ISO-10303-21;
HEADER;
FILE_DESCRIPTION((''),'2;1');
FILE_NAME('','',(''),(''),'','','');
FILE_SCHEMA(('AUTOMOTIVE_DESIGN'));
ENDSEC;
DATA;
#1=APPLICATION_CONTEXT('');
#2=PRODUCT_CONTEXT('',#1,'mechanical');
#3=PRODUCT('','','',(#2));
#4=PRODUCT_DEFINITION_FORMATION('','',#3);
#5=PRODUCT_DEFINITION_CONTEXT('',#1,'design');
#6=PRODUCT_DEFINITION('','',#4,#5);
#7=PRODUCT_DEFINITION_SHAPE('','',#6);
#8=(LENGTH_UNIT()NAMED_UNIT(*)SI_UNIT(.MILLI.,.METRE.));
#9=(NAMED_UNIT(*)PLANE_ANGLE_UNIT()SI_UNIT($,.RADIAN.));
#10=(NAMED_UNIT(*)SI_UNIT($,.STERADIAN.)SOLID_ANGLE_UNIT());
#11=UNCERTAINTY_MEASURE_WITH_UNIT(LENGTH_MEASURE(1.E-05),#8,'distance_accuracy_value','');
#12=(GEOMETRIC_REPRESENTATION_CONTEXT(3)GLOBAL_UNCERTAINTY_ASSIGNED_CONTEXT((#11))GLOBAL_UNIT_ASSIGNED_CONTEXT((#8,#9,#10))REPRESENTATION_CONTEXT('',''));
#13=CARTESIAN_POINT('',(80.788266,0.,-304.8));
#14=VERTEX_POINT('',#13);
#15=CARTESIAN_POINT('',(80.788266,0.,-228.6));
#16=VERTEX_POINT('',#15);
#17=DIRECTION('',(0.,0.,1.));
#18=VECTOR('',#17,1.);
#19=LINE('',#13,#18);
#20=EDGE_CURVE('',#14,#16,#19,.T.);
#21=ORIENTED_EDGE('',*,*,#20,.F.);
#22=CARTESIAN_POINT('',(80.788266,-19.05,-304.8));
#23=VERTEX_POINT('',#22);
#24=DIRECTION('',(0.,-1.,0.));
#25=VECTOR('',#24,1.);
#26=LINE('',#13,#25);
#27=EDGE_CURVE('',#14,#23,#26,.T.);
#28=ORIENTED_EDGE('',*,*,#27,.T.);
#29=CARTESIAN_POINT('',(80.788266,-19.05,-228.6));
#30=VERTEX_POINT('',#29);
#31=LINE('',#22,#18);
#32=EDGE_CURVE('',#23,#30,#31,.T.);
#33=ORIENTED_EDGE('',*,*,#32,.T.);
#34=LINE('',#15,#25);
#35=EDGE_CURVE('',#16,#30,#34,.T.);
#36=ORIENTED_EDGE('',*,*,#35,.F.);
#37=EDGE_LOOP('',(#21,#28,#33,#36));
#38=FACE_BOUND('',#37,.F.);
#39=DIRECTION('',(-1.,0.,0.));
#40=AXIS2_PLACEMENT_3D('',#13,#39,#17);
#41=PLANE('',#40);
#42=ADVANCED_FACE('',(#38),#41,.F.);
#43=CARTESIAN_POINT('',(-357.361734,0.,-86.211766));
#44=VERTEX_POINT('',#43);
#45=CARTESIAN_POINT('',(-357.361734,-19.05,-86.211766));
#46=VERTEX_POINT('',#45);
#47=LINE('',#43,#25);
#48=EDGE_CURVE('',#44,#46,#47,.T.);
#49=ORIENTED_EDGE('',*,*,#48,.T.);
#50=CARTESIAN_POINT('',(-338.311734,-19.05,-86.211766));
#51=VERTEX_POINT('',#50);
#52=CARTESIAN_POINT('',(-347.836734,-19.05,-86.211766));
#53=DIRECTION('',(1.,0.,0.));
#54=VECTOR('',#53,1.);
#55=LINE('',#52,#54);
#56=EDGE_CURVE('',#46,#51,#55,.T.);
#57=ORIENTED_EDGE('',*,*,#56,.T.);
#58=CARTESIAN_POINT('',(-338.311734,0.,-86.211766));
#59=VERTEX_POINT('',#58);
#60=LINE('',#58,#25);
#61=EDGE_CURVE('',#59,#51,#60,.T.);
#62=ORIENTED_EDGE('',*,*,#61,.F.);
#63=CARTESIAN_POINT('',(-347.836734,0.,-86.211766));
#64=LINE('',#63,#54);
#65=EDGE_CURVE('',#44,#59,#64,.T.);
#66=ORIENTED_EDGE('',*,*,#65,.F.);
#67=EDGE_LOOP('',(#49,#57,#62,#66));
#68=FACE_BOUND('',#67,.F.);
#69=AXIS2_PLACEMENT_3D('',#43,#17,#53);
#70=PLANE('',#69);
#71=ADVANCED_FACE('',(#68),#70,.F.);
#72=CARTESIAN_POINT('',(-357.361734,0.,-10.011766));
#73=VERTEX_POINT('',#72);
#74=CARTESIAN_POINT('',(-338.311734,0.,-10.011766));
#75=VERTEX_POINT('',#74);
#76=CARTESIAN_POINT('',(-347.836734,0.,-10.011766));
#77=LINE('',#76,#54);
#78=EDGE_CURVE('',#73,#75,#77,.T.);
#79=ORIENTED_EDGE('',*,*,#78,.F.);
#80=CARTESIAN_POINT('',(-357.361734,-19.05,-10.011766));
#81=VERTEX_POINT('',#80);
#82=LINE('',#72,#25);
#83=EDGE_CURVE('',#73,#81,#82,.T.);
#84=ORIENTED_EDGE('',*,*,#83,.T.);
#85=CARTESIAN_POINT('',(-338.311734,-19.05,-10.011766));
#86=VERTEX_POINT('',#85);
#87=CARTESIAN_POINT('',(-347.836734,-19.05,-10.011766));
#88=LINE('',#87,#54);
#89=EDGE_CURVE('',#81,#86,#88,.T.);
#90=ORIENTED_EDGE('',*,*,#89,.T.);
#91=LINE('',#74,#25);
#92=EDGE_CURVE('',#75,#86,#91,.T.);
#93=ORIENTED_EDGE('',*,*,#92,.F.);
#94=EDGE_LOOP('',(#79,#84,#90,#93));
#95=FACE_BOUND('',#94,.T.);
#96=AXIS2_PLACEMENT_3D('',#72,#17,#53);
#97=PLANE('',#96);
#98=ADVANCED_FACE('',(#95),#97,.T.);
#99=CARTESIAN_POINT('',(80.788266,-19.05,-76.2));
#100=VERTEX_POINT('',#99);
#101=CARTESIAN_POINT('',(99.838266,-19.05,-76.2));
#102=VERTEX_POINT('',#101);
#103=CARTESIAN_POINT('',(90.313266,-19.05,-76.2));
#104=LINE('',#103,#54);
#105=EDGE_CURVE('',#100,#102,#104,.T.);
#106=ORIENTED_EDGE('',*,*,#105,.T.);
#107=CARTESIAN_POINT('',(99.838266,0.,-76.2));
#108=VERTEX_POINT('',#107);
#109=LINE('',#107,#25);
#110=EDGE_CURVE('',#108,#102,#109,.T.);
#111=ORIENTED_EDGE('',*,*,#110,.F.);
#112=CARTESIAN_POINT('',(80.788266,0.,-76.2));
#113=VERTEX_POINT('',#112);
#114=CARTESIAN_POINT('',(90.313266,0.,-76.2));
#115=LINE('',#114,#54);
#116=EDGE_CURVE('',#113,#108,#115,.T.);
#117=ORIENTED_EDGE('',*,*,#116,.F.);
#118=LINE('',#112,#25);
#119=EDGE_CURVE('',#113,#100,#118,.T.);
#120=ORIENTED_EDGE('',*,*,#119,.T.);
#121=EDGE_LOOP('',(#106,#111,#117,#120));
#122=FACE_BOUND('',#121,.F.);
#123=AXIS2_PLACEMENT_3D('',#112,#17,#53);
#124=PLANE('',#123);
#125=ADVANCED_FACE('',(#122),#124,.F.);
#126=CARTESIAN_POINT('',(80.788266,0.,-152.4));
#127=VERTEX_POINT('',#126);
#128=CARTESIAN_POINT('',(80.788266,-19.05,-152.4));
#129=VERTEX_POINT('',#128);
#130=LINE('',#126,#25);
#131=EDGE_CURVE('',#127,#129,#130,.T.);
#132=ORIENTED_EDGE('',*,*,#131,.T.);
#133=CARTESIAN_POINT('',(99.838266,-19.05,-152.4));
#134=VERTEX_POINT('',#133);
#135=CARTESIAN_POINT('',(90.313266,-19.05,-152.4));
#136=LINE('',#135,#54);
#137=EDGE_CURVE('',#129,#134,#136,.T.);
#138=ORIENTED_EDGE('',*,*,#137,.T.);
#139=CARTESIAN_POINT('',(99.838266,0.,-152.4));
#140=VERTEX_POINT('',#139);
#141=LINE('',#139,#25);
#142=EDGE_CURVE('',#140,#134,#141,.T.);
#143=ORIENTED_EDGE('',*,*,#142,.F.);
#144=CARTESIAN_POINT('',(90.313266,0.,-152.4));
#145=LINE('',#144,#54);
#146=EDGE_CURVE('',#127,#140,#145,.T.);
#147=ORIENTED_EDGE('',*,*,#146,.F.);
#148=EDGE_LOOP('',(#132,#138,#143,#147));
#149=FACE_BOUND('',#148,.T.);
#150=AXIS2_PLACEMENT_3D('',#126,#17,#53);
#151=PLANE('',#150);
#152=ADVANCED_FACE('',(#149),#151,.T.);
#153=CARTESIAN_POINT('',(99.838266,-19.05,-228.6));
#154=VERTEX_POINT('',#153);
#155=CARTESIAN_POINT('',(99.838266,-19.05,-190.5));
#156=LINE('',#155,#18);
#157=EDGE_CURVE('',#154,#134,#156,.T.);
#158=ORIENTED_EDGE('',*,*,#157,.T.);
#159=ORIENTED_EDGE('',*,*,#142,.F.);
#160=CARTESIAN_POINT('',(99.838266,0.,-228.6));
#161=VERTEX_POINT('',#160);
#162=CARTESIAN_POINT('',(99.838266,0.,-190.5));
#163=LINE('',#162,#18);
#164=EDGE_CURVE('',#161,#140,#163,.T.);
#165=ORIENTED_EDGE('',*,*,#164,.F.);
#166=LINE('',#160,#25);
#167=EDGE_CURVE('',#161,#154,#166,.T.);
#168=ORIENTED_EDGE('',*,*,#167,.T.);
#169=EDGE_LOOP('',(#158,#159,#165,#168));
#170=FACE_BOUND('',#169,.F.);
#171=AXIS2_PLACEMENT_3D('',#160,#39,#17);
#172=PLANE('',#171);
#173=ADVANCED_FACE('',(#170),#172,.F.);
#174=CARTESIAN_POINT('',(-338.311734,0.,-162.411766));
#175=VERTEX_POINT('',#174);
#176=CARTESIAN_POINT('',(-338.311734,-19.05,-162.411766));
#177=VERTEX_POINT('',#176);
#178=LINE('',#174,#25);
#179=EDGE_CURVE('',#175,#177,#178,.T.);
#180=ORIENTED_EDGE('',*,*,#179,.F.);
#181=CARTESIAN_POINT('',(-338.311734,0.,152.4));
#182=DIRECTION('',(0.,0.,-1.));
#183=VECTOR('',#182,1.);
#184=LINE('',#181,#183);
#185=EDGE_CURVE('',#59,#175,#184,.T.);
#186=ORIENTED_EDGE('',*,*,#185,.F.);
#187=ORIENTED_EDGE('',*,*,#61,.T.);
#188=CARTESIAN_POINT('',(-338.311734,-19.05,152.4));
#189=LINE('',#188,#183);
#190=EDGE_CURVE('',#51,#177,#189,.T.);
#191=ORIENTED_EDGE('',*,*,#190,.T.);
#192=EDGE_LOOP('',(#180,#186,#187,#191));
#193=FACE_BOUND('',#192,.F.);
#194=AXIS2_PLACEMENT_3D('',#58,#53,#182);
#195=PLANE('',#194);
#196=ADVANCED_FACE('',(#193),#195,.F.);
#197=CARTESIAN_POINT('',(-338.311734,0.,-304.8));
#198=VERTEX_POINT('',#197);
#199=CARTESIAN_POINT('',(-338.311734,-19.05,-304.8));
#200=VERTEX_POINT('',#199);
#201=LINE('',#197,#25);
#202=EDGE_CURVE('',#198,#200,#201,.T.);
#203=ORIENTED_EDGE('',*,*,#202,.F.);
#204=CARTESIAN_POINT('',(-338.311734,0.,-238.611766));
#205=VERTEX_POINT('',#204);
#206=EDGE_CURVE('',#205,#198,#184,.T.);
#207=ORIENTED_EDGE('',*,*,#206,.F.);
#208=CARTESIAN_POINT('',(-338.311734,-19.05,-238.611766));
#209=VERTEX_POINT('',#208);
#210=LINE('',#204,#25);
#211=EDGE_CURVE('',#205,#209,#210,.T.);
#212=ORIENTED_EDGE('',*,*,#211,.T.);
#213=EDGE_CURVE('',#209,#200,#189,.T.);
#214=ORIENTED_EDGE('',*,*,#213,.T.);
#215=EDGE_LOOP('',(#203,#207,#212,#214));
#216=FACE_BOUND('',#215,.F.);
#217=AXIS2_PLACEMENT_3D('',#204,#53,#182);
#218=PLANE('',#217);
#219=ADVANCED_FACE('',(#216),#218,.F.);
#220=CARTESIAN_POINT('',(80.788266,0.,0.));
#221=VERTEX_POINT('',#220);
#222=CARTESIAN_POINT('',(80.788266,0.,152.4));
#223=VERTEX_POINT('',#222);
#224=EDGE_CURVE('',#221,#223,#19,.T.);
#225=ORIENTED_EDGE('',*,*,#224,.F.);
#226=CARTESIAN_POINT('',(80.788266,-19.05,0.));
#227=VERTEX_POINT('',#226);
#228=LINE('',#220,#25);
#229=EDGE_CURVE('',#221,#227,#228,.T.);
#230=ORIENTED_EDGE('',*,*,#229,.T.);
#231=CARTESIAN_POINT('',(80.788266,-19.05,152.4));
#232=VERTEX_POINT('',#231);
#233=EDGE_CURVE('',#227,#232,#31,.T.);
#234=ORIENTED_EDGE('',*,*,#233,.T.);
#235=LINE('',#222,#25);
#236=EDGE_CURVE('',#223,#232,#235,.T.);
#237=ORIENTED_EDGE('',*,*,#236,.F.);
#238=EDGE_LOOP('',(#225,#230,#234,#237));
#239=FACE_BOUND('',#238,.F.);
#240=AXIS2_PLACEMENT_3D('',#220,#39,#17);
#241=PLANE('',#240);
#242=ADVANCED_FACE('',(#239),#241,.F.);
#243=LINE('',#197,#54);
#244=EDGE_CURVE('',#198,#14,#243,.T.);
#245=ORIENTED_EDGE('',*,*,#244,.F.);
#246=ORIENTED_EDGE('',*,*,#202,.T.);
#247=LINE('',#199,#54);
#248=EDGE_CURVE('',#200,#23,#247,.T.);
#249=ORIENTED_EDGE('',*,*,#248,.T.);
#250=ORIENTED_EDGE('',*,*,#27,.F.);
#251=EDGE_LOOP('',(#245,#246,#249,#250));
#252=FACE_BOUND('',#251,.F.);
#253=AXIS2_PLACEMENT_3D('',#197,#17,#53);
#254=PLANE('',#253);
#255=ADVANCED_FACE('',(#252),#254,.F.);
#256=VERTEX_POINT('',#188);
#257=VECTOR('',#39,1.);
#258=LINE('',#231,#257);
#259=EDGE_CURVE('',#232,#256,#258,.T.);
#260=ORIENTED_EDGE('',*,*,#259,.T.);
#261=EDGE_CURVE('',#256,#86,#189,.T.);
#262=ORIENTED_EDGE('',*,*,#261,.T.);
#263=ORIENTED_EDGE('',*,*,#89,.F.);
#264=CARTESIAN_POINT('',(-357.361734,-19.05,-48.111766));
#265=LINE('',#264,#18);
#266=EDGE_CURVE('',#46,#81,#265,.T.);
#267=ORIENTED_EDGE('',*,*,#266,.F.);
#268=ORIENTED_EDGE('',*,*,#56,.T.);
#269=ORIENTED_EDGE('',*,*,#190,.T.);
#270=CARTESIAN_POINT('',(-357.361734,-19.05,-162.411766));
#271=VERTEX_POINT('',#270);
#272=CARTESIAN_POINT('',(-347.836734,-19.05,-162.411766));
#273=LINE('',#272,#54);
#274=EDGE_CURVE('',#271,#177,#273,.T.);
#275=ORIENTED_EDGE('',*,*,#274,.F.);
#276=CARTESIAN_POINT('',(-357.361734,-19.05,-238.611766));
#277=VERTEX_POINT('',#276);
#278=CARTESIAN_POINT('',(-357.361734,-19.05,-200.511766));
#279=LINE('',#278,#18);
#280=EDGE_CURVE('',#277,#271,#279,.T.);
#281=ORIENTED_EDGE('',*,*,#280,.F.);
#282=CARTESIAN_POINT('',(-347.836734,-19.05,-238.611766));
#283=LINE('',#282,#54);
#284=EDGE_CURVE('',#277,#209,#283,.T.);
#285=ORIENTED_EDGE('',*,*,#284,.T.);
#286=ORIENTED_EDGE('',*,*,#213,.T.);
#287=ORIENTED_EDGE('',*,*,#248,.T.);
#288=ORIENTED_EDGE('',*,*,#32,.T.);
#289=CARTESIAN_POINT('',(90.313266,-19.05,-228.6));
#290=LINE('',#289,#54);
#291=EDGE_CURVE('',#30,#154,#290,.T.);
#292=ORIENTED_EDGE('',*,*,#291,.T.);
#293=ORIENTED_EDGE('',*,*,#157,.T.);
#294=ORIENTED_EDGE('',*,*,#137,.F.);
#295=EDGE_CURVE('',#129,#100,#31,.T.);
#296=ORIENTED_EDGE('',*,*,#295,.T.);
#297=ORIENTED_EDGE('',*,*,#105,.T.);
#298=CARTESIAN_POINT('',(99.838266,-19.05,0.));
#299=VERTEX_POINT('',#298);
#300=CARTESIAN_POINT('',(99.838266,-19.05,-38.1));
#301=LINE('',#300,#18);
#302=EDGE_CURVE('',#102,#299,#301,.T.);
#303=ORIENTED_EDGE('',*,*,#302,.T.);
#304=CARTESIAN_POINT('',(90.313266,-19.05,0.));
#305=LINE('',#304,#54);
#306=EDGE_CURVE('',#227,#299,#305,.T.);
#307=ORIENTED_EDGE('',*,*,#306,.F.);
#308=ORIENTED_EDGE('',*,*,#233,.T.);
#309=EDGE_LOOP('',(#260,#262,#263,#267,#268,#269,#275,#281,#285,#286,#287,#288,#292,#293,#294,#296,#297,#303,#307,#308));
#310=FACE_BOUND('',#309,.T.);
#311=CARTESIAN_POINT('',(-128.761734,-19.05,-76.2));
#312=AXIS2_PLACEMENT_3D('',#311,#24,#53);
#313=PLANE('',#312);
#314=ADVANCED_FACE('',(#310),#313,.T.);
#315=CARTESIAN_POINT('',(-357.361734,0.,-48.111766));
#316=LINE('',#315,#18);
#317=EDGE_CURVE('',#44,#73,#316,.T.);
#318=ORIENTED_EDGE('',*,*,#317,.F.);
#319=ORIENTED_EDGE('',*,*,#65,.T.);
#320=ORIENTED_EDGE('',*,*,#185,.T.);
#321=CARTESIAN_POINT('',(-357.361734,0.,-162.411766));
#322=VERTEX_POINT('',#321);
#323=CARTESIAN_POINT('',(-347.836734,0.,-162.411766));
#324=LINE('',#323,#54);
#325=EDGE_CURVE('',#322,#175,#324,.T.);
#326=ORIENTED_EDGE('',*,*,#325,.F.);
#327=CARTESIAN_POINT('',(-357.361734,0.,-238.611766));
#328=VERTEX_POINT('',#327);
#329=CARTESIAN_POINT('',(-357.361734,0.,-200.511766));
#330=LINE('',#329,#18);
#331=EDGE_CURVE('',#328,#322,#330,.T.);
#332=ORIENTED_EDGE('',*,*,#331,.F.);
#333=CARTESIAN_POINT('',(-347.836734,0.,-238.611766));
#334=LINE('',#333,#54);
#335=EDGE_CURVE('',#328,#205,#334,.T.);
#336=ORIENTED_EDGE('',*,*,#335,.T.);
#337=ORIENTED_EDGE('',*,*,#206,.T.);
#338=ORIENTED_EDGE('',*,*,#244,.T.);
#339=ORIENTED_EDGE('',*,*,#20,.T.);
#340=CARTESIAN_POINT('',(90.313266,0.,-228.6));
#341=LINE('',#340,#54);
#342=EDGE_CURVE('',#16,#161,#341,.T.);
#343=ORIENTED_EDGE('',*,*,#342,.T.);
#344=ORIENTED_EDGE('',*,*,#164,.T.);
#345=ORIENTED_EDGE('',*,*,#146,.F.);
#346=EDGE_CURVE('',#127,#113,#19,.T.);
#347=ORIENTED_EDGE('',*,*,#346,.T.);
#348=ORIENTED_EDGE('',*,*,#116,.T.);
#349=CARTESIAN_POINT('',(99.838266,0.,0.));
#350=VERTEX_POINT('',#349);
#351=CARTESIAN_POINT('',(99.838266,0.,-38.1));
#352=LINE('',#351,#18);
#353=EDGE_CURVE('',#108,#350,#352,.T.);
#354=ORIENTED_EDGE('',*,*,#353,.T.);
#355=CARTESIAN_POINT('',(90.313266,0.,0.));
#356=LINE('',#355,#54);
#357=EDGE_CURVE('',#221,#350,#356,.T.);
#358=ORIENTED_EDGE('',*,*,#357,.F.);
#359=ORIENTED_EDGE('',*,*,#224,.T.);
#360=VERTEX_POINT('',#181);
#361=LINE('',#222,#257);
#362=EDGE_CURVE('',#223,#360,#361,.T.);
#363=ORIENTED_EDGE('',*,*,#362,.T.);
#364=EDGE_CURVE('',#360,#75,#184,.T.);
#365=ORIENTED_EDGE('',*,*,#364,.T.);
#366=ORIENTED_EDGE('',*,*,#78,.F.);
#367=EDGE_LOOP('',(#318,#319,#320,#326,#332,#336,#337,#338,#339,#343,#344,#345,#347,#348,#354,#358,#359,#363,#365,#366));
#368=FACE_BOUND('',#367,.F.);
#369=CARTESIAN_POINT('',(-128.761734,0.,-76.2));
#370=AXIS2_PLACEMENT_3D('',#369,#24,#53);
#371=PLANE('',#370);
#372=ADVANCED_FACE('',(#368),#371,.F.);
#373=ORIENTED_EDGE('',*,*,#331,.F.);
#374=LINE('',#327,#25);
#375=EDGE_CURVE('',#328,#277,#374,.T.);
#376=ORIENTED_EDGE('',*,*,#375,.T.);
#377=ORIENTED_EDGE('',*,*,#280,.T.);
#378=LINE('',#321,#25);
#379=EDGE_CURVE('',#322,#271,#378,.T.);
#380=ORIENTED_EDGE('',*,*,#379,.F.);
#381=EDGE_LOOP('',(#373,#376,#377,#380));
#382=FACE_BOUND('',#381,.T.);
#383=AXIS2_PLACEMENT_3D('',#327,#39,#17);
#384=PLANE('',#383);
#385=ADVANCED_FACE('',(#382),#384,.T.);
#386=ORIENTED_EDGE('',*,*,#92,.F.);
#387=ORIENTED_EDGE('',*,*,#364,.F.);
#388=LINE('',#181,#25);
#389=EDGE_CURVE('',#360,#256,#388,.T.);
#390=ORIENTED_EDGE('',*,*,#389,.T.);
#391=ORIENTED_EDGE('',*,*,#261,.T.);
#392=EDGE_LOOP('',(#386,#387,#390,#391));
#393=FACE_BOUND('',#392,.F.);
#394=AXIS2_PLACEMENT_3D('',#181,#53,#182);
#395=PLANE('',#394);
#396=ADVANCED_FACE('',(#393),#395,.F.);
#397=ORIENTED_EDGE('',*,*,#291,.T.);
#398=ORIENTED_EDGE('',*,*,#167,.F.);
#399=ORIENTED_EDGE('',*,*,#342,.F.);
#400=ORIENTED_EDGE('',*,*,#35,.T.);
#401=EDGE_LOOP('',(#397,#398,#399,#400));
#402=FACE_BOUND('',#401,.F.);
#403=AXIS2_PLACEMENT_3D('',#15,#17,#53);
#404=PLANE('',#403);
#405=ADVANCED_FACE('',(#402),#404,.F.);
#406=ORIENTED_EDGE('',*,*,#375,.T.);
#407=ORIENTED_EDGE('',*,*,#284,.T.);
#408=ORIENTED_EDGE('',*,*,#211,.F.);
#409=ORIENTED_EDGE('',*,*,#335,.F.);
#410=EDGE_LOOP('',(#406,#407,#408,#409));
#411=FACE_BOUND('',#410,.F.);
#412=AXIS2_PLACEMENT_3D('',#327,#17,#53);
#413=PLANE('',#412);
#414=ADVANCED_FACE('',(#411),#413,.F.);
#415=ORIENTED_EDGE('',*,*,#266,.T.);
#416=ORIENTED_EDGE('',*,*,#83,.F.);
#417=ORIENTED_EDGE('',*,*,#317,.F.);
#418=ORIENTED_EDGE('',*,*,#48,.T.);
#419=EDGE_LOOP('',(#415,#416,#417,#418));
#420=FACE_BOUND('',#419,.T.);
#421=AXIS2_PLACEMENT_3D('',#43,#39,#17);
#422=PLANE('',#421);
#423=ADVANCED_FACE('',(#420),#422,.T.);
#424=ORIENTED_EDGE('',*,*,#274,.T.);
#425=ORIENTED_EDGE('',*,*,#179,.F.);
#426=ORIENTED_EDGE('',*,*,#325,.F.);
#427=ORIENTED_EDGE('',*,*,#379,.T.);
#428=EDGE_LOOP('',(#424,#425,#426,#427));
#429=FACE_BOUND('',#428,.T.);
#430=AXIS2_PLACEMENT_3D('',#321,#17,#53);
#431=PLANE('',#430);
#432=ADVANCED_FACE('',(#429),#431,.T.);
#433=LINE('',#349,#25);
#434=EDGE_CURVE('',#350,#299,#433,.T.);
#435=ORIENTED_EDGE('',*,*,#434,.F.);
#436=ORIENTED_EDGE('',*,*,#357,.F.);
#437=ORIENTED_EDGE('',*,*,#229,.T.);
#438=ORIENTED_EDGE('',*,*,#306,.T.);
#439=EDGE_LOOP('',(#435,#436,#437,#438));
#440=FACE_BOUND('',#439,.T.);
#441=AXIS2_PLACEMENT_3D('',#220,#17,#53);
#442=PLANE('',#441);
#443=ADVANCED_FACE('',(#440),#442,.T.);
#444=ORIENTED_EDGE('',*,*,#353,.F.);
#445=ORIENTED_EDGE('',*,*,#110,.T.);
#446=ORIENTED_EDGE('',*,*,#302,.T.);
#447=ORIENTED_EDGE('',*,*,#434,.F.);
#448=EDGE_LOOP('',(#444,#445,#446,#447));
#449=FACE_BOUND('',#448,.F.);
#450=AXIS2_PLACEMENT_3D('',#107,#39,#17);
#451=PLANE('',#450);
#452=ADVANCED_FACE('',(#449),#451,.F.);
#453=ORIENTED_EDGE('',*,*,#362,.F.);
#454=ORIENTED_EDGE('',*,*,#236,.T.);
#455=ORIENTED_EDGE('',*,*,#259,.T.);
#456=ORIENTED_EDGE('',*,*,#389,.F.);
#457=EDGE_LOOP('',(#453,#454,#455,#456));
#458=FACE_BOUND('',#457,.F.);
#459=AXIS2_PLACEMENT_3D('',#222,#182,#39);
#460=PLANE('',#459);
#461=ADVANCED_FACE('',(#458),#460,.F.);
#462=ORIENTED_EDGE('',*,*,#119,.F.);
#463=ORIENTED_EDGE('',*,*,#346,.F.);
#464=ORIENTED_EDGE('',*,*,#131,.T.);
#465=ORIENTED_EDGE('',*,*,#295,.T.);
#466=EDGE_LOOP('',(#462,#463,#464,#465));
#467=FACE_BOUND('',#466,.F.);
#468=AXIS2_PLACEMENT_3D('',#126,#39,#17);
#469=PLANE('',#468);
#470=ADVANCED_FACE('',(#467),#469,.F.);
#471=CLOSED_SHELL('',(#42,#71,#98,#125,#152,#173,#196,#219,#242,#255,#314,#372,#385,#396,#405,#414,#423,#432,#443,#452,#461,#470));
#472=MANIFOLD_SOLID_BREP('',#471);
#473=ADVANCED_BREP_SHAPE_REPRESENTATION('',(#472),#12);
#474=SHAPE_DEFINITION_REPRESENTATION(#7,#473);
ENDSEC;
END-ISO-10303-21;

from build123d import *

# Parameters (mm, degrees)
F0_W     = 19.05
F0_H     = 76.2
F1_DEPTH = 19.05


with BuildPart() as f1:
    # F0 (on Front) → F1 (new body)
    with BuildSketch(Plane.XZ):
        Polygon((80.788266, 152.4), (-338.311734, 152.4), (-338.311734, -10.011766), (-338.311734, -86.211766), (-338.311734, -162.411766), (-338.311734, -238.611766), (-338.311734, -304.8), (80.788266, -304.8), (80.788266, -228.6), (80.788266, -152.4), (80.788266, -76.2), (80.788266, 0), (80.788266, 76.2), align=None)
        with Locations((-347.836734, -48.111766)):
            Rectangle(F0_W, F0_H)
        with Locations((-347.836734, -200.511766)):
            Rectangle(F0_W, F0_H)
        with Locations((90.313266, -38.1)):
            Rectangle(F0_W, F0_H)
        with Locations((90.313266, -190.5)):
            Rectangle(F0_W, F0_H)
    extrude(amount=F1_DEPTH)


solid = f1.part
